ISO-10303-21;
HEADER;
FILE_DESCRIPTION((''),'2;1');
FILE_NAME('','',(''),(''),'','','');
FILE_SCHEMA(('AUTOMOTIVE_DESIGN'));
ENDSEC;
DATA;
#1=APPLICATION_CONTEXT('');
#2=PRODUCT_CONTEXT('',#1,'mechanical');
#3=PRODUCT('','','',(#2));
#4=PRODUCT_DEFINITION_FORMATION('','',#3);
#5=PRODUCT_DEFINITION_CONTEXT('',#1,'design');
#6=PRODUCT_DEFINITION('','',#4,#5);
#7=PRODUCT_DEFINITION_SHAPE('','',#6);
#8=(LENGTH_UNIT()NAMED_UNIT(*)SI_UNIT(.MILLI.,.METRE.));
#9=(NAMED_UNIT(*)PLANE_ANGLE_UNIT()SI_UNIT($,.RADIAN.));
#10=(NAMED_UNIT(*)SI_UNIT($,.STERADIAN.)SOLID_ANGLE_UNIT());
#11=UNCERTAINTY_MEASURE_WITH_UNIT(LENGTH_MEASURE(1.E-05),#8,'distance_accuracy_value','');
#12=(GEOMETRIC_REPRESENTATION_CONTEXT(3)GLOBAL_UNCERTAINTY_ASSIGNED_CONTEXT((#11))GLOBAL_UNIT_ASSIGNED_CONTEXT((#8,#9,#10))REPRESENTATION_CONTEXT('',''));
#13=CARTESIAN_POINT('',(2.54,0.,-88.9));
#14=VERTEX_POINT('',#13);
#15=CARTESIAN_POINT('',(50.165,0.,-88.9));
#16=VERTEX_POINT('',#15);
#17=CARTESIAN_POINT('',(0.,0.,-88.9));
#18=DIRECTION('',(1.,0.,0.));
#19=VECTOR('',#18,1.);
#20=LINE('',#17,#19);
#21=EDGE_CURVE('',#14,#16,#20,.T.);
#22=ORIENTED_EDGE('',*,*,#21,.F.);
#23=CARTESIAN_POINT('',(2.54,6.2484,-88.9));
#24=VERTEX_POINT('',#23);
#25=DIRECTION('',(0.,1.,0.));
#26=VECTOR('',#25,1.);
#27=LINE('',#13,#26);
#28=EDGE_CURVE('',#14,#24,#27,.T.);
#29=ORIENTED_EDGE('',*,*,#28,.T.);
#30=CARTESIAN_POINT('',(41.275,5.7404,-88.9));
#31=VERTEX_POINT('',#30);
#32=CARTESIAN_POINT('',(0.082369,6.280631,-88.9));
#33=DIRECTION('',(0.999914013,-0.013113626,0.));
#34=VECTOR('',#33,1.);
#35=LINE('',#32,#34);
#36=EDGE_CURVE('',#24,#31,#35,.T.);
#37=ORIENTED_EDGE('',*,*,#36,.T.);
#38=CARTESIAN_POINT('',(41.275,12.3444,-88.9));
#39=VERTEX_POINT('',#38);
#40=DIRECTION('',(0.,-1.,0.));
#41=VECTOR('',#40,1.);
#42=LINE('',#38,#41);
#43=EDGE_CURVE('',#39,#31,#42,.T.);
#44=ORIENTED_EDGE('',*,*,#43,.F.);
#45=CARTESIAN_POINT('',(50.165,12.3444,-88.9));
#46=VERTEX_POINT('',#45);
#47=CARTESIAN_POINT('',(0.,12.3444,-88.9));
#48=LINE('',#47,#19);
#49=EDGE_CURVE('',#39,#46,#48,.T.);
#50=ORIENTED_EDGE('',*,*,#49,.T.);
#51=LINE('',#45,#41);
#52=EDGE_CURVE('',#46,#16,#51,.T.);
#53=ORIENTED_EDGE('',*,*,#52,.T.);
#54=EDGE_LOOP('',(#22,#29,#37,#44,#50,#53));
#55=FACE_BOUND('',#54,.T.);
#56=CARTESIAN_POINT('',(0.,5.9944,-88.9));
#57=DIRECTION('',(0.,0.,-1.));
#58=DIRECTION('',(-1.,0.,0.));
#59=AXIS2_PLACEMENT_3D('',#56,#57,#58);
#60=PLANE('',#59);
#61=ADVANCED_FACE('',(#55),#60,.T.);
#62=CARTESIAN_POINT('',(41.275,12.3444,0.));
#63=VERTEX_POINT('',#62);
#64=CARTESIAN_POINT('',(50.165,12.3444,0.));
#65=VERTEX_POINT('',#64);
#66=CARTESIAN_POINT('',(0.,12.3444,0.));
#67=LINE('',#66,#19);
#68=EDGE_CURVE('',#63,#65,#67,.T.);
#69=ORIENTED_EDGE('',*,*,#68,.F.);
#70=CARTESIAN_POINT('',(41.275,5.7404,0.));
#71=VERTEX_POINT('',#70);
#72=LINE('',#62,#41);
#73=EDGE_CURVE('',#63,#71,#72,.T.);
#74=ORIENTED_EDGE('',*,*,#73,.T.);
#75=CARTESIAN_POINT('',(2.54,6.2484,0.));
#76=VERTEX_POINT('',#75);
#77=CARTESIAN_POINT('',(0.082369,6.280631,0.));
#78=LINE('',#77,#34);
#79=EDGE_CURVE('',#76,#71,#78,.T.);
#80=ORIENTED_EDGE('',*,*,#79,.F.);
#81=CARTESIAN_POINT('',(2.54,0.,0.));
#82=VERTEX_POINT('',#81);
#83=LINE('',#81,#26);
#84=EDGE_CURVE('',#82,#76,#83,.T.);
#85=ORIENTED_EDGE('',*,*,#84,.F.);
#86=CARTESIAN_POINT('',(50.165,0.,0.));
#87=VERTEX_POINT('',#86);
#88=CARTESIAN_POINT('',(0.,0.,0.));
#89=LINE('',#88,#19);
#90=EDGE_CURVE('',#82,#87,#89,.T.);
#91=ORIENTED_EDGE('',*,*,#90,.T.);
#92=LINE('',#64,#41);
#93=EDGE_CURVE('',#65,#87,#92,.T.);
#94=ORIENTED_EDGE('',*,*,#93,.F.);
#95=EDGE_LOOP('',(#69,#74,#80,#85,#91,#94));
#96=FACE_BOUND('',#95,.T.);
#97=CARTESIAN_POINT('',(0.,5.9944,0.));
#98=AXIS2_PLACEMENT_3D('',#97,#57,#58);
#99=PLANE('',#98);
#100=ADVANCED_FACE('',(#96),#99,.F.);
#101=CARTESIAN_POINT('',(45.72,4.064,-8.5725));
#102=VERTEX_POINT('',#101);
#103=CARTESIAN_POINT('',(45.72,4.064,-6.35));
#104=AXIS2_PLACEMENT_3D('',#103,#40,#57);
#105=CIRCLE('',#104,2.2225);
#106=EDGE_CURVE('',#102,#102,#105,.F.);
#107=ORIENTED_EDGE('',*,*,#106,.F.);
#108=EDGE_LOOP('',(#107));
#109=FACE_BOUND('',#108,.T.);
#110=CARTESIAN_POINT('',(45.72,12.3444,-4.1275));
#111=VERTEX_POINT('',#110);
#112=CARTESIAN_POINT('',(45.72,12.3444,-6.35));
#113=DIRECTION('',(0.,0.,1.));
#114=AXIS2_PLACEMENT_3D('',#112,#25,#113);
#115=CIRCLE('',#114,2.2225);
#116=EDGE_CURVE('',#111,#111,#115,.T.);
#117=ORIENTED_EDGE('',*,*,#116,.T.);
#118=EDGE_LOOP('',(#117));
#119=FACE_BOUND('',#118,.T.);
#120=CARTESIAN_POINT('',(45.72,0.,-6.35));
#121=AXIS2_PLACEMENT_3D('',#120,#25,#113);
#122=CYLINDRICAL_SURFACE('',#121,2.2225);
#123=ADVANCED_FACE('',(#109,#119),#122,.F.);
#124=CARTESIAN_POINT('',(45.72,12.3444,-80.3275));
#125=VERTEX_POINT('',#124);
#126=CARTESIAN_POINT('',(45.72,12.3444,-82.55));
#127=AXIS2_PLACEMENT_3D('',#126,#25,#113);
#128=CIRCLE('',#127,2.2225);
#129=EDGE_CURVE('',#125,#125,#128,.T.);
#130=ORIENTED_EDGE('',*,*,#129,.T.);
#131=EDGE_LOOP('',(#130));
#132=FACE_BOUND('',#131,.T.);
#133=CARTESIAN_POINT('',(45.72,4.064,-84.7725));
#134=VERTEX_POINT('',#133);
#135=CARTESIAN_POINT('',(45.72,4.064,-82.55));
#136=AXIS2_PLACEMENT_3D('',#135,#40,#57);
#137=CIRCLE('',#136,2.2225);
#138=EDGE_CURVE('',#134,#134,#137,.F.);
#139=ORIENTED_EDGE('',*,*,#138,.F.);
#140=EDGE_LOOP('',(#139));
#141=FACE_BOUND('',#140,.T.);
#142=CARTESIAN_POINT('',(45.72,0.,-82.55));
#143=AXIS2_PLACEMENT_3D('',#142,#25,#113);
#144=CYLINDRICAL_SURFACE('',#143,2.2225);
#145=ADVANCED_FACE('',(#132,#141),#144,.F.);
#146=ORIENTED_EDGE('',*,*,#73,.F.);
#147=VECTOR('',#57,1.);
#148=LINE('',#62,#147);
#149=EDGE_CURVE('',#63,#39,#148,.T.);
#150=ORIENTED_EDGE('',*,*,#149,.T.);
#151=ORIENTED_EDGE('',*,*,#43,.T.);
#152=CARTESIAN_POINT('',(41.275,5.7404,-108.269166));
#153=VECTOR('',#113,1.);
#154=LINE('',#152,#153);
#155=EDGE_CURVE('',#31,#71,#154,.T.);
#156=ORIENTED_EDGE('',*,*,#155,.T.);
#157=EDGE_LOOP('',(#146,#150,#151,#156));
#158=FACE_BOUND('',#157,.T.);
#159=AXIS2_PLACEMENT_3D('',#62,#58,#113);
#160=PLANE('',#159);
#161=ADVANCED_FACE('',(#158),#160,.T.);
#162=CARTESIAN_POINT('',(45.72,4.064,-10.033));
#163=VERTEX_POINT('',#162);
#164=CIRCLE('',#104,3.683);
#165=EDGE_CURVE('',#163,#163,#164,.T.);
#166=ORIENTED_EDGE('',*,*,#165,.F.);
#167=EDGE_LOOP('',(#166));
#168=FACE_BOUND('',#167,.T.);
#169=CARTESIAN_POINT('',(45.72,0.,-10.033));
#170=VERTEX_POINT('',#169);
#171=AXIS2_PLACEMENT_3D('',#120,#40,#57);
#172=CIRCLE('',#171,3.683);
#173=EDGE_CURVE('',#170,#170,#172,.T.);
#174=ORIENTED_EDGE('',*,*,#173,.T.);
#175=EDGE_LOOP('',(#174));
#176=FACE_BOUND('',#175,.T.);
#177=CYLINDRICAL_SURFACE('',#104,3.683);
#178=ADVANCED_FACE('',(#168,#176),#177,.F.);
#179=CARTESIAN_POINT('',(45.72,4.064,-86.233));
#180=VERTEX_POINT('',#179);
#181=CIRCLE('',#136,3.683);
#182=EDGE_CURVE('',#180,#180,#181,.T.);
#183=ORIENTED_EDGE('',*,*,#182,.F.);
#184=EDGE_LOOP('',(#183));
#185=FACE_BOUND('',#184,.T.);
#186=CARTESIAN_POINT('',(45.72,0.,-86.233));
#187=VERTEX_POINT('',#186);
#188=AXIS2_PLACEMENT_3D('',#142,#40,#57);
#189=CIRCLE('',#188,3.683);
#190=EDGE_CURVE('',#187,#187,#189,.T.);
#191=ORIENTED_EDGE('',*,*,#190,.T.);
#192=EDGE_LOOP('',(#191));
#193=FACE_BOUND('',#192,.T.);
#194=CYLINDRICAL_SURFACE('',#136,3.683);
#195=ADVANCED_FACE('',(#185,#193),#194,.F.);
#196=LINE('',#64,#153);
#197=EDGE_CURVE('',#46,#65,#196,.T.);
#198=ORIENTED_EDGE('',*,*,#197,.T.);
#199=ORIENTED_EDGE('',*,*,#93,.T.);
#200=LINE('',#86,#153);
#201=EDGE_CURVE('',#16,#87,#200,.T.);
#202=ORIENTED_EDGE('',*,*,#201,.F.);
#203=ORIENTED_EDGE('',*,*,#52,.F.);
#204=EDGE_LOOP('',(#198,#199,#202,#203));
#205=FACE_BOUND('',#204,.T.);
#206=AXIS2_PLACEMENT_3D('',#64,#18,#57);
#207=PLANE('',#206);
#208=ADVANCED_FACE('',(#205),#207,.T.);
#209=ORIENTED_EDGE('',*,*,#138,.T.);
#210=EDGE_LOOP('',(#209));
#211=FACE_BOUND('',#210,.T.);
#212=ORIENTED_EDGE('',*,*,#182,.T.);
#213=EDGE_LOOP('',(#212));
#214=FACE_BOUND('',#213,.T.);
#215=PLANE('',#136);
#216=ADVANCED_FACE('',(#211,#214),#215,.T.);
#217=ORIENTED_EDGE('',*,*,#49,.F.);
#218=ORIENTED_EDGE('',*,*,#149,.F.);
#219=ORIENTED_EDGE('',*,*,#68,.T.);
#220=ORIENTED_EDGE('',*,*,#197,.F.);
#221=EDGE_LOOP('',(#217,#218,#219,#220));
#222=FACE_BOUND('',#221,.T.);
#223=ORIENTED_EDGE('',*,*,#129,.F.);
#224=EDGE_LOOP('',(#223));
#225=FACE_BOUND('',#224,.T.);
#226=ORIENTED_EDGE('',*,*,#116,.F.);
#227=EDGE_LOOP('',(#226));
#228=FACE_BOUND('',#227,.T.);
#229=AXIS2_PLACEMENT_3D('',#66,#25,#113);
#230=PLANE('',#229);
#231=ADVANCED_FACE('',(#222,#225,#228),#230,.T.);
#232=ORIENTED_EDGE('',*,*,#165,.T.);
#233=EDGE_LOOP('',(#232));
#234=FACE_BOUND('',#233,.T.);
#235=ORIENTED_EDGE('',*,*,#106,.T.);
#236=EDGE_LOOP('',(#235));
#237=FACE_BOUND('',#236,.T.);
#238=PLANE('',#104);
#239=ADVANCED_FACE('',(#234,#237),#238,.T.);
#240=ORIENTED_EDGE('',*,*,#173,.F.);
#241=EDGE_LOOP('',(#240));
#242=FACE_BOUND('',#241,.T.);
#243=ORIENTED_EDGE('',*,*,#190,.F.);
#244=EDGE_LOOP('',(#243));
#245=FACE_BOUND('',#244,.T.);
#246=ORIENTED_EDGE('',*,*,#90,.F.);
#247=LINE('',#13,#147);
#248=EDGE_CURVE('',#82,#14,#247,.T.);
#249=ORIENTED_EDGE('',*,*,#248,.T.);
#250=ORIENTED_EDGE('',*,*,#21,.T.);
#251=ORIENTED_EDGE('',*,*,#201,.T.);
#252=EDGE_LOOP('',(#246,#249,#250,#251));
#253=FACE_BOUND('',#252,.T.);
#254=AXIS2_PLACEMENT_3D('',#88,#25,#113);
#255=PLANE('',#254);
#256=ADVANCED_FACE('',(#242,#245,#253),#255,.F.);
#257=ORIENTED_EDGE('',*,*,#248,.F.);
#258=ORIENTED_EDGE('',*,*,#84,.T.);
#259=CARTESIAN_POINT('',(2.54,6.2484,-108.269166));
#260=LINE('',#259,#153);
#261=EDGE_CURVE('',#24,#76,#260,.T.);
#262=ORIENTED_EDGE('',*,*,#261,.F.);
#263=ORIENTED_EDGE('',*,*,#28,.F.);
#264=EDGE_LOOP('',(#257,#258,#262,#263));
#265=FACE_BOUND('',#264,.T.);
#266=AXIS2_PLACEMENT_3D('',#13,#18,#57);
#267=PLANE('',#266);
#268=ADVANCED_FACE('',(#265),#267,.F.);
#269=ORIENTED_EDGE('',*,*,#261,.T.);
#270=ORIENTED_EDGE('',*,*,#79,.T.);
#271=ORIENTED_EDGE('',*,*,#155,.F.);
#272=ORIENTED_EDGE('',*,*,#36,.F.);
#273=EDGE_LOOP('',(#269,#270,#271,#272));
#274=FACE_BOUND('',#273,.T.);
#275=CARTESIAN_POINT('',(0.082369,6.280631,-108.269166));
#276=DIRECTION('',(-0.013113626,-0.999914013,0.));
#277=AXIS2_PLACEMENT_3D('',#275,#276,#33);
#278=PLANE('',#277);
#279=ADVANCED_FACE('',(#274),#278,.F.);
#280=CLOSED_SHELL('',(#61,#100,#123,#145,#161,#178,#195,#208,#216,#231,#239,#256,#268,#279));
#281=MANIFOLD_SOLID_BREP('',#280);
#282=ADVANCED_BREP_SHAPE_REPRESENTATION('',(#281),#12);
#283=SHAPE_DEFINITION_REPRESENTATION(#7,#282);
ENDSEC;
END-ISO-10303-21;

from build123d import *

# Parameters (mm, degrees)
SKETCH1_W               = 41.275
SKETCH1_H               = 88.9
BOSS_EXTRUDE1_DEPTH     = 5.9944
SKETCH1_5_W             = 8.89
SKETCH1_5_H             = 88.9
BOSS_EXTRUDE2_DEPTH     = 12.3444
SKETCH3_R               = 2.2225
CUT_EXTRUDE1_DEPTH      = 1
CUT_EXTRUDE1_DEPTH_BACK = 13.3444
SKETCH4_R               = 3.683
CUT_EXTRUDE2_DEPTH      = 4.064
SKETCH5_W               = 2.54
SKETCH5_H               = 88.9
CUT_EXTRUDE3_DEPTH      = 7.35
CUT_EXTRUDE3_DEPTH_BACK = 6.9944
BOSS_EXTRUDE3_DEPTH     = 88.9
CUT_EXTRUDE4_DEPTH      = 88.9


with BuildPart() as part:
    # Sketch1 → Boss-Extrude1 (new body)
    with BuildSketch(Plane(origin=(0, 0, 0), x_dir=(1, 0, 0), z_dir=(0, 1, 0))):
        with Locations((20.6375, 44.45)):
            Rectangle(SKETCH1_W, SKETCH1_H)
    extrude(amount=BOSS_EXTRUDE1_DEPTH)

    # Sketch1<5> → Boss-Extrude2 (add)
    with BuildSketch(Plane(origin=(0, 0, 0), x_dir=(1, 0, 0), z_dir=(0, 1, 0))):
        with Locations((45.72, 44.45)):
            Rectangle(SKETCH1_5_W, SKETCH1_5_H)
    extrude(amount=BOSS_EXTRUDE2_DEPTH)

    # Sketch3 → Cut-Extrude1 (cut, two sides)
    with BuildSketch(Plane(origin=(0, 12.3444, 0), x_dir=(1, 0, 0), z_dir=(0, 1, 0))) as cut_extrude1_sk:
        with Locations((45.72, 82.55)):
            Circle(SKETCH3_R)
        with Locations((45.72, 6.35)):
            Circle(SKETCH3_R)
    extrude(amount=CUT_EXTRUDE1_DEPTH, mode=Mode.SUBTRACT)
    extrude(cut_extrude1_sk.sketch, amount=-CUT_EXTRUDE1_DEPTH_BACK, mode=Mode.SUBTRACT)

    # Sketch4 → Cut-Extrude2 (cut)
    with BuildSketch(Plane.XZ):
        with Locations((45.72, -6.35)):
            Circle(SKETCH4_R)
        with Locations((45.72, -82.55)):
            Circle(SKETCH4_R)
    extrude(amount=-CUT_EXTRUDE2_DEPTH, mode=Mode.SUBTRACT)

    # Sketch5 → Cut-Extrude3 (cut, two sides)
    with BuildSketch(Plane(origin=(0, 5.9944, 0), x_dir=(1, 0, 0), z_dir=(0, 1, 0))) as cut_extrude3_sk:
        with Locations((1.27, 44.45)):
            Rectangle(SKETCH5_W, SKETCH5_H)
    extrude(amount=CUT_EXTRUDE3_DEPTH, mode=Mode.SUBTRACT)
    extrude(cut_extrude3_sk.sketch, amount=-CUT_EXTRUDE3_DEPTH_BACK, mode=Mode.SUBTRACT)

    # Sketch6 → Boss-Extrude3 (add)
    with BuildSketch(Plane.XY):
        Polygon((2.54, 6.2484), (2.54, 5.9944), (21.9075, 5.9944), align=None)
    extrude(amount=-BOSS_EXTRUDE3_DEPTH)

    # Sketch6<3> → Cut-Extrude4 (cut)
    with BuildSketch(Plane.XY):
        Polygon((41.275, 5.9944), (21.9075, 5.9944), (41.275, 5.7404), align=None)
    extrude(amount=-CUT_EXTRUDE4_DEPTH, mode=Mode.SUBTRACT)


solid = part.part
